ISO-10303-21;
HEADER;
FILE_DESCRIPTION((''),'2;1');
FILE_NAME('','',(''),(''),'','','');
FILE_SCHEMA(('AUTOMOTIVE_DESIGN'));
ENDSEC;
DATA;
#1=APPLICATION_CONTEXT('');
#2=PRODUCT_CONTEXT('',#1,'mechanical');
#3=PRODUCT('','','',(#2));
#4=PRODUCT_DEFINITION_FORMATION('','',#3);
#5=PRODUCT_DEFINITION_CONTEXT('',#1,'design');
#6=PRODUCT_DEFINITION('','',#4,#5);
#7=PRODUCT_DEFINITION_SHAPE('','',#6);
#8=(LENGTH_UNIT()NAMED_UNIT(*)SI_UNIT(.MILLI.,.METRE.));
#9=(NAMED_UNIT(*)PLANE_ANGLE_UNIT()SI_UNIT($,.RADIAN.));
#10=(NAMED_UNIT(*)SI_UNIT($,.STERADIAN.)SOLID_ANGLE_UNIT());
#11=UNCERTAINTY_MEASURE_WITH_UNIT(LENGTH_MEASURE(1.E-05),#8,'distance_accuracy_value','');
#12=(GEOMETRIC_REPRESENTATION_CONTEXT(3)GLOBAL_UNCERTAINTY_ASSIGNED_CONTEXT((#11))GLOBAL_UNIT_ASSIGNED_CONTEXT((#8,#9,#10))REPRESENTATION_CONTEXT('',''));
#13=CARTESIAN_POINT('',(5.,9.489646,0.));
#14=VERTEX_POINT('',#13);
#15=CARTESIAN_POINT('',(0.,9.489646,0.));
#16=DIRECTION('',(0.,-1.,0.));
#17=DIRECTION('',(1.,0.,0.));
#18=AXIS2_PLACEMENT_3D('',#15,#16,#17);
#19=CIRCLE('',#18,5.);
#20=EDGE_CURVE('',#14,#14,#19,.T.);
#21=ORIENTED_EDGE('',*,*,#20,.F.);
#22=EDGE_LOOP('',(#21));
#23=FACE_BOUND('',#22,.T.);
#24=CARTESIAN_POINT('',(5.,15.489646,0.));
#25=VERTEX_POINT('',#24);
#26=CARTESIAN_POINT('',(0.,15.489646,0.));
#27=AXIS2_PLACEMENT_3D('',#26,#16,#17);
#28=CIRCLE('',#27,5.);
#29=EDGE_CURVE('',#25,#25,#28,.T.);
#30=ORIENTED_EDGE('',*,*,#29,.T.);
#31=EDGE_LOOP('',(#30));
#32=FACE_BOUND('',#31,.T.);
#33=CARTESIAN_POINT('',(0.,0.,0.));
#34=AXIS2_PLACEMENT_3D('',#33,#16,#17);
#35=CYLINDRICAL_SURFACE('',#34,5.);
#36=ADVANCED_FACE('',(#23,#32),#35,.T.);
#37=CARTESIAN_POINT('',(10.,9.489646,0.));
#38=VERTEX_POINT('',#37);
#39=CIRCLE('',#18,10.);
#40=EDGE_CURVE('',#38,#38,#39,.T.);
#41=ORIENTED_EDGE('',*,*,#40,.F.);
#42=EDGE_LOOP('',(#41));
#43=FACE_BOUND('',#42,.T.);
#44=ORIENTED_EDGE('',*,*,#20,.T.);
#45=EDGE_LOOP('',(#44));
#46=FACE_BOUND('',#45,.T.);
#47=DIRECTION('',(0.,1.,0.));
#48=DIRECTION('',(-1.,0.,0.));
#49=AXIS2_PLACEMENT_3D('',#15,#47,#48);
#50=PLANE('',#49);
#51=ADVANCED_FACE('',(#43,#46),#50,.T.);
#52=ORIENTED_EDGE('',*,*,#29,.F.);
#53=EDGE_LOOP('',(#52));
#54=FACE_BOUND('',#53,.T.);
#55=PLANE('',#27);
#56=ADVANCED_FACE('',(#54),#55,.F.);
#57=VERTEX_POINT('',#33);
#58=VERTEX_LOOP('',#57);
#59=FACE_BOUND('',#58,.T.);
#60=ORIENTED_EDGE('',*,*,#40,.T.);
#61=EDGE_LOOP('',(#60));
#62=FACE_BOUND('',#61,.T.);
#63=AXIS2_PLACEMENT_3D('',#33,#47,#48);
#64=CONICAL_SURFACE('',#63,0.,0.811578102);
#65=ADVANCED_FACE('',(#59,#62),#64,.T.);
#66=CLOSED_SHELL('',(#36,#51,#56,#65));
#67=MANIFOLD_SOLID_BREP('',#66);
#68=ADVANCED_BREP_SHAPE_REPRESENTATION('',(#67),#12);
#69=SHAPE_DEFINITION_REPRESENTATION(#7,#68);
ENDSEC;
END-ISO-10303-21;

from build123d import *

# Parameters (mm, degrees)
SKETCH2_W = 5
SKETCH2_H = 6


with BuildPart() as part:
    # Sketch1 → Revolve1 (revolve)
    with BuildSketch(Plane.XY):
        Polygon((0, 9.489645667), (0, 0), (10, 9.489645667), align=None)
    revolve(axis=Axis((0, 0, 0), (0, 1, 0)))

    # Sketch2 → Revolve2 (revolve)
    with BuildSketch(Plane.XY):
        with Locations((2.5, 12.489645667)):
            Rectangle(SKETCH2_W, SKETCH2_H)
    revolve(axis=Axis((0, 0, 0), (0, 1, 0)))


solid = part.part
